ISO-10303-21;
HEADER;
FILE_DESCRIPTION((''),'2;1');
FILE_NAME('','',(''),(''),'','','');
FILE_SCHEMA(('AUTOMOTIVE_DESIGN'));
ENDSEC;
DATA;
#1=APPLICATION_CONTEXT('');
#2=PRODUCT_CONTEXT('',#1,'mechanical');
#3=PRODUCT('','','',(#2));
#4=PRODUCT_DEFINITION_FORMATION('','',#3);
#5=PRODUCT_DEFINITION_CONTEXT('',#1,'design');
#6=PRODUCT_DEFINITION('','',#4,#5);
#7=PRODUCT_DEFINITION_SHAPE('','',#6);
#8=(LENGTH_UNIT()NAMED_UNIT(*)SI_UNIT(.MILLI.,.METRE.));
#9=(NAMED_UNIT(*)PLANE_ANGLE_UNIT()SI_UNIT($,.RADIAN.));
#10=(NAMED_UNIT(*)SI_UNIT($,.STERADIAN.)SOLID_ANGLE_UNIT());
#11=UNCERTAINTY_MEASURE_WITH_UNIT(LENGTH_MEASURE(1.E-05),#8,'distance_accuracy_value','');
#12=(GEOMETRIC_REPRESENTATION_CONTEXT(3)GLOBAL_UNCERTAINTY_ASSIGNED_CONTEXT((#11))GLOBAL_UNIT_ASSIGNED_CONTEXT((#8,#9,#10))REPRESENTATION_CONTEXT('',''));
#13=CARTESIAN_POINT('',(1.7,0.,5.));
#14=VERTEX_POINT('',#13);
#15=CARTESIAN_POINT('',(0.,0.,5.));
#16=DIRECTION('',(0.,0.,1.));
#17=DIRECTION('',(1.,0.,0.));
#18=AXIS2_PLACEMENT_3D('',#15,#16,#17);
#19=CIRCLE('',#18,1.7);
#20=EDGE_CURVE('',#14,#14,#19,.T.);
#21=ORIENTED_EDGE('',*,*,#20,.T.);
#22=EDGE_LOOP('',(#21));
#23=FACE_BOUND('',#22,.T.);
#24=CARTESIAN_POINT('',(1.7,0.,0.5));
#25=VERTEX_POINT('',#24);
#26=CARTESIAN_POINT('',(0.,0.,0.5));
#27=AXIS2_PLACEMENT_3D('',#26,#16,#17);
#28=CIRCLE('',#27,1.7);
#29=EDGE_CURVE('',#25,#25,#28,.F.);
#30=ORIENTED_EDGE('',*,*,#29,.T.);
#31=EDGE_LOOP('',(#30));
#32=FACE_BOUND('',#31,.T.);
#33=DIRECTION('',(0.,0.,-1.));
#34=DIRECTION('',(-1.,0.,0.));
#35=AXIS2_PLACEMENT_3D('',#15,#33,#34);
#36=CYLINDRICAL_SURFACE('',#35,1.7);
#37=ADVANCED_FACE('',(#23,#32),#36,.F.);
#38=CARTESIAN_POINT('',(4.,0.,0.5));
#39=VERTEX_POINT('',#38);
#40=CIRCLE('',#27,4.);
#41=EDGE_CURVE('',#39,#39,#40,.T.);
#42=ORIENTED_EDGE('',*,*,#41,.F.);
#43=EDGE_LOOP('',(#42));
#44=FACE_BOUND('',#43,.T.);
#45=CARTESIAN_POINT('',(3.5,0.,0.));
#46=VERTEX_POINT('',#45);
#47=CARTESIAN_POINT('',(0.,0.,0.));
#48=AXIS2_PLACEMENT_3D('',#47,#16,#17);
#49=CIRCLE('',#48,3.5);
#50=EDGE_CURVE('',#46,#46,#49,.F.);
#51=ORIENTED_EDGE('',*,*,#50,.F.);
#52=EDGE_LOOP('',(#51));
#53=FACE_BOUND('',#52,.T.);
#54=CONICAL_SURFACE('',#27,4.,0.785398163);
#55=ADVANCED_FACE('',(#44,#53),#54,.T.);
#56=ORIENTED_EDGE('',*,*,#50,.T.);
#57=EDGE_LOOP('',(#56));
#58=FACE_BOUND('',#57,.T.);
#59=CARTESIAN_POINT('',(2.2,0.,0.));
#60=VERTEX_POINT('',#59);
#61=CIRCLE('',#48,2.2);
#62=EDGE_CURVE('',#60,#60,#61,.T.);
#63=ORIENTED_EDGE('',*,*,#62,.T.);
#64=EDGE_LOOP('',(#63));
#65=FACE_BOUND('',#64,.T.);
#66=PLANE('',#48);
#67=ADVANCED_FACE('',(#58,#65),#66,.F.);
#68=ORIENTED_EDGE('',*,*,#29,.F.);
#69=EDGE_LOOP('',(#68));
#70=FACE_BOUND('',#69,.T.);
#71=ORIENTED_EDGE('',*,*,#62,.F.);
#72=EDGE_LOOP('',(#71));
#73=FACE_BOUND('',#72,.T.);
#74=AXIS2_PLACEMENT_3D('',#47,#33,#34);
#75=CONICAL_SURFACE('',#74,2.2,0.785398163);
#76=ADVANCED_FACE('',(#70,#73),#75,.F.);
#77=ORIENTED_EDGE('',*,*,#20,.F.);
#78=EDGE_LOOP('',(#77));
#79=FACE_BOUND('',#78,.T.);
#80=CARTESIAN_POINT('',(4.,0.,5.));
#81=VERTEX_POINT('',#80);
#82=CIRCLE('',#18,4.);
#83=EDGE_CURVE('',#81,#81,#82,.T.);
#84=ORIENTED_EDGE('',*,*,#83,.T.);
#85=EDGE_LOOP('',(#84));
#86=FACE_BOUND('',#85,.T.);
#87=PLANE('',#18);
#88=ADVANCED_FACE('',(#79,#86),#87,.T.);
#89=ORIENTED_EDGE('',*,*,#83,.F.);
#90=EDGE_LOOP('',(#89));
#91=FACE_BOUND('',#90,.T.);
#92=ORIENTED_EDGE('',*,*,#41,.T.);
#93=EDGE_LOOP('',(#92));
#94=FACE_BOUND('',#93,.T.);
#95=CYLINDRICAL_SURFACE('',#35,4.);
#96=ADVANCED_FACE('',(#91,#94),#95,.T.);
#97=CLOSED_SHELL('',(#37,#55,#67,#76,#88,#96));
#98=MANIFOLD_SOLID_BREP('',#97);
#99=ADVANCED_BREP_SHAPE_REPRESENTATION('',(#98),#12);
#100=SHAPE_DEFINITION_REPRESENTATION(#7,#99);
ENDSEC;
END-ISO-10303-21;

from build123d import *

# Parameters (mm, degrees)
SKETCH1_R           = 4
SKETCH1_R_2         = 1.7
BOSS_EXTRUDE1_DEPTH = 5
CHAMFER1_SIZE       = 0.5


with BuildPart() as part:
    # Sketch1 → Boss-Extrude1 (new body)
    with BuildSketch(Plane.XY):
        Circle(SKETCH1_R)
        Circle(SKETCH1_R_2, mode=Mode.SUBTRACT)
    extrude(amount=BOSS_EXTRUDE1_DEPTH)

    # Chamfer1
    chamfer1_edges = [part.edges().sort_by_distance(p)[0] for p in [
        (-4, 0, 0),
        (-1.7, 0, 0),
    ]]
    chamfer(chamfer1_edges, length=CHAMFER1_SIZE)


solid = part.part
